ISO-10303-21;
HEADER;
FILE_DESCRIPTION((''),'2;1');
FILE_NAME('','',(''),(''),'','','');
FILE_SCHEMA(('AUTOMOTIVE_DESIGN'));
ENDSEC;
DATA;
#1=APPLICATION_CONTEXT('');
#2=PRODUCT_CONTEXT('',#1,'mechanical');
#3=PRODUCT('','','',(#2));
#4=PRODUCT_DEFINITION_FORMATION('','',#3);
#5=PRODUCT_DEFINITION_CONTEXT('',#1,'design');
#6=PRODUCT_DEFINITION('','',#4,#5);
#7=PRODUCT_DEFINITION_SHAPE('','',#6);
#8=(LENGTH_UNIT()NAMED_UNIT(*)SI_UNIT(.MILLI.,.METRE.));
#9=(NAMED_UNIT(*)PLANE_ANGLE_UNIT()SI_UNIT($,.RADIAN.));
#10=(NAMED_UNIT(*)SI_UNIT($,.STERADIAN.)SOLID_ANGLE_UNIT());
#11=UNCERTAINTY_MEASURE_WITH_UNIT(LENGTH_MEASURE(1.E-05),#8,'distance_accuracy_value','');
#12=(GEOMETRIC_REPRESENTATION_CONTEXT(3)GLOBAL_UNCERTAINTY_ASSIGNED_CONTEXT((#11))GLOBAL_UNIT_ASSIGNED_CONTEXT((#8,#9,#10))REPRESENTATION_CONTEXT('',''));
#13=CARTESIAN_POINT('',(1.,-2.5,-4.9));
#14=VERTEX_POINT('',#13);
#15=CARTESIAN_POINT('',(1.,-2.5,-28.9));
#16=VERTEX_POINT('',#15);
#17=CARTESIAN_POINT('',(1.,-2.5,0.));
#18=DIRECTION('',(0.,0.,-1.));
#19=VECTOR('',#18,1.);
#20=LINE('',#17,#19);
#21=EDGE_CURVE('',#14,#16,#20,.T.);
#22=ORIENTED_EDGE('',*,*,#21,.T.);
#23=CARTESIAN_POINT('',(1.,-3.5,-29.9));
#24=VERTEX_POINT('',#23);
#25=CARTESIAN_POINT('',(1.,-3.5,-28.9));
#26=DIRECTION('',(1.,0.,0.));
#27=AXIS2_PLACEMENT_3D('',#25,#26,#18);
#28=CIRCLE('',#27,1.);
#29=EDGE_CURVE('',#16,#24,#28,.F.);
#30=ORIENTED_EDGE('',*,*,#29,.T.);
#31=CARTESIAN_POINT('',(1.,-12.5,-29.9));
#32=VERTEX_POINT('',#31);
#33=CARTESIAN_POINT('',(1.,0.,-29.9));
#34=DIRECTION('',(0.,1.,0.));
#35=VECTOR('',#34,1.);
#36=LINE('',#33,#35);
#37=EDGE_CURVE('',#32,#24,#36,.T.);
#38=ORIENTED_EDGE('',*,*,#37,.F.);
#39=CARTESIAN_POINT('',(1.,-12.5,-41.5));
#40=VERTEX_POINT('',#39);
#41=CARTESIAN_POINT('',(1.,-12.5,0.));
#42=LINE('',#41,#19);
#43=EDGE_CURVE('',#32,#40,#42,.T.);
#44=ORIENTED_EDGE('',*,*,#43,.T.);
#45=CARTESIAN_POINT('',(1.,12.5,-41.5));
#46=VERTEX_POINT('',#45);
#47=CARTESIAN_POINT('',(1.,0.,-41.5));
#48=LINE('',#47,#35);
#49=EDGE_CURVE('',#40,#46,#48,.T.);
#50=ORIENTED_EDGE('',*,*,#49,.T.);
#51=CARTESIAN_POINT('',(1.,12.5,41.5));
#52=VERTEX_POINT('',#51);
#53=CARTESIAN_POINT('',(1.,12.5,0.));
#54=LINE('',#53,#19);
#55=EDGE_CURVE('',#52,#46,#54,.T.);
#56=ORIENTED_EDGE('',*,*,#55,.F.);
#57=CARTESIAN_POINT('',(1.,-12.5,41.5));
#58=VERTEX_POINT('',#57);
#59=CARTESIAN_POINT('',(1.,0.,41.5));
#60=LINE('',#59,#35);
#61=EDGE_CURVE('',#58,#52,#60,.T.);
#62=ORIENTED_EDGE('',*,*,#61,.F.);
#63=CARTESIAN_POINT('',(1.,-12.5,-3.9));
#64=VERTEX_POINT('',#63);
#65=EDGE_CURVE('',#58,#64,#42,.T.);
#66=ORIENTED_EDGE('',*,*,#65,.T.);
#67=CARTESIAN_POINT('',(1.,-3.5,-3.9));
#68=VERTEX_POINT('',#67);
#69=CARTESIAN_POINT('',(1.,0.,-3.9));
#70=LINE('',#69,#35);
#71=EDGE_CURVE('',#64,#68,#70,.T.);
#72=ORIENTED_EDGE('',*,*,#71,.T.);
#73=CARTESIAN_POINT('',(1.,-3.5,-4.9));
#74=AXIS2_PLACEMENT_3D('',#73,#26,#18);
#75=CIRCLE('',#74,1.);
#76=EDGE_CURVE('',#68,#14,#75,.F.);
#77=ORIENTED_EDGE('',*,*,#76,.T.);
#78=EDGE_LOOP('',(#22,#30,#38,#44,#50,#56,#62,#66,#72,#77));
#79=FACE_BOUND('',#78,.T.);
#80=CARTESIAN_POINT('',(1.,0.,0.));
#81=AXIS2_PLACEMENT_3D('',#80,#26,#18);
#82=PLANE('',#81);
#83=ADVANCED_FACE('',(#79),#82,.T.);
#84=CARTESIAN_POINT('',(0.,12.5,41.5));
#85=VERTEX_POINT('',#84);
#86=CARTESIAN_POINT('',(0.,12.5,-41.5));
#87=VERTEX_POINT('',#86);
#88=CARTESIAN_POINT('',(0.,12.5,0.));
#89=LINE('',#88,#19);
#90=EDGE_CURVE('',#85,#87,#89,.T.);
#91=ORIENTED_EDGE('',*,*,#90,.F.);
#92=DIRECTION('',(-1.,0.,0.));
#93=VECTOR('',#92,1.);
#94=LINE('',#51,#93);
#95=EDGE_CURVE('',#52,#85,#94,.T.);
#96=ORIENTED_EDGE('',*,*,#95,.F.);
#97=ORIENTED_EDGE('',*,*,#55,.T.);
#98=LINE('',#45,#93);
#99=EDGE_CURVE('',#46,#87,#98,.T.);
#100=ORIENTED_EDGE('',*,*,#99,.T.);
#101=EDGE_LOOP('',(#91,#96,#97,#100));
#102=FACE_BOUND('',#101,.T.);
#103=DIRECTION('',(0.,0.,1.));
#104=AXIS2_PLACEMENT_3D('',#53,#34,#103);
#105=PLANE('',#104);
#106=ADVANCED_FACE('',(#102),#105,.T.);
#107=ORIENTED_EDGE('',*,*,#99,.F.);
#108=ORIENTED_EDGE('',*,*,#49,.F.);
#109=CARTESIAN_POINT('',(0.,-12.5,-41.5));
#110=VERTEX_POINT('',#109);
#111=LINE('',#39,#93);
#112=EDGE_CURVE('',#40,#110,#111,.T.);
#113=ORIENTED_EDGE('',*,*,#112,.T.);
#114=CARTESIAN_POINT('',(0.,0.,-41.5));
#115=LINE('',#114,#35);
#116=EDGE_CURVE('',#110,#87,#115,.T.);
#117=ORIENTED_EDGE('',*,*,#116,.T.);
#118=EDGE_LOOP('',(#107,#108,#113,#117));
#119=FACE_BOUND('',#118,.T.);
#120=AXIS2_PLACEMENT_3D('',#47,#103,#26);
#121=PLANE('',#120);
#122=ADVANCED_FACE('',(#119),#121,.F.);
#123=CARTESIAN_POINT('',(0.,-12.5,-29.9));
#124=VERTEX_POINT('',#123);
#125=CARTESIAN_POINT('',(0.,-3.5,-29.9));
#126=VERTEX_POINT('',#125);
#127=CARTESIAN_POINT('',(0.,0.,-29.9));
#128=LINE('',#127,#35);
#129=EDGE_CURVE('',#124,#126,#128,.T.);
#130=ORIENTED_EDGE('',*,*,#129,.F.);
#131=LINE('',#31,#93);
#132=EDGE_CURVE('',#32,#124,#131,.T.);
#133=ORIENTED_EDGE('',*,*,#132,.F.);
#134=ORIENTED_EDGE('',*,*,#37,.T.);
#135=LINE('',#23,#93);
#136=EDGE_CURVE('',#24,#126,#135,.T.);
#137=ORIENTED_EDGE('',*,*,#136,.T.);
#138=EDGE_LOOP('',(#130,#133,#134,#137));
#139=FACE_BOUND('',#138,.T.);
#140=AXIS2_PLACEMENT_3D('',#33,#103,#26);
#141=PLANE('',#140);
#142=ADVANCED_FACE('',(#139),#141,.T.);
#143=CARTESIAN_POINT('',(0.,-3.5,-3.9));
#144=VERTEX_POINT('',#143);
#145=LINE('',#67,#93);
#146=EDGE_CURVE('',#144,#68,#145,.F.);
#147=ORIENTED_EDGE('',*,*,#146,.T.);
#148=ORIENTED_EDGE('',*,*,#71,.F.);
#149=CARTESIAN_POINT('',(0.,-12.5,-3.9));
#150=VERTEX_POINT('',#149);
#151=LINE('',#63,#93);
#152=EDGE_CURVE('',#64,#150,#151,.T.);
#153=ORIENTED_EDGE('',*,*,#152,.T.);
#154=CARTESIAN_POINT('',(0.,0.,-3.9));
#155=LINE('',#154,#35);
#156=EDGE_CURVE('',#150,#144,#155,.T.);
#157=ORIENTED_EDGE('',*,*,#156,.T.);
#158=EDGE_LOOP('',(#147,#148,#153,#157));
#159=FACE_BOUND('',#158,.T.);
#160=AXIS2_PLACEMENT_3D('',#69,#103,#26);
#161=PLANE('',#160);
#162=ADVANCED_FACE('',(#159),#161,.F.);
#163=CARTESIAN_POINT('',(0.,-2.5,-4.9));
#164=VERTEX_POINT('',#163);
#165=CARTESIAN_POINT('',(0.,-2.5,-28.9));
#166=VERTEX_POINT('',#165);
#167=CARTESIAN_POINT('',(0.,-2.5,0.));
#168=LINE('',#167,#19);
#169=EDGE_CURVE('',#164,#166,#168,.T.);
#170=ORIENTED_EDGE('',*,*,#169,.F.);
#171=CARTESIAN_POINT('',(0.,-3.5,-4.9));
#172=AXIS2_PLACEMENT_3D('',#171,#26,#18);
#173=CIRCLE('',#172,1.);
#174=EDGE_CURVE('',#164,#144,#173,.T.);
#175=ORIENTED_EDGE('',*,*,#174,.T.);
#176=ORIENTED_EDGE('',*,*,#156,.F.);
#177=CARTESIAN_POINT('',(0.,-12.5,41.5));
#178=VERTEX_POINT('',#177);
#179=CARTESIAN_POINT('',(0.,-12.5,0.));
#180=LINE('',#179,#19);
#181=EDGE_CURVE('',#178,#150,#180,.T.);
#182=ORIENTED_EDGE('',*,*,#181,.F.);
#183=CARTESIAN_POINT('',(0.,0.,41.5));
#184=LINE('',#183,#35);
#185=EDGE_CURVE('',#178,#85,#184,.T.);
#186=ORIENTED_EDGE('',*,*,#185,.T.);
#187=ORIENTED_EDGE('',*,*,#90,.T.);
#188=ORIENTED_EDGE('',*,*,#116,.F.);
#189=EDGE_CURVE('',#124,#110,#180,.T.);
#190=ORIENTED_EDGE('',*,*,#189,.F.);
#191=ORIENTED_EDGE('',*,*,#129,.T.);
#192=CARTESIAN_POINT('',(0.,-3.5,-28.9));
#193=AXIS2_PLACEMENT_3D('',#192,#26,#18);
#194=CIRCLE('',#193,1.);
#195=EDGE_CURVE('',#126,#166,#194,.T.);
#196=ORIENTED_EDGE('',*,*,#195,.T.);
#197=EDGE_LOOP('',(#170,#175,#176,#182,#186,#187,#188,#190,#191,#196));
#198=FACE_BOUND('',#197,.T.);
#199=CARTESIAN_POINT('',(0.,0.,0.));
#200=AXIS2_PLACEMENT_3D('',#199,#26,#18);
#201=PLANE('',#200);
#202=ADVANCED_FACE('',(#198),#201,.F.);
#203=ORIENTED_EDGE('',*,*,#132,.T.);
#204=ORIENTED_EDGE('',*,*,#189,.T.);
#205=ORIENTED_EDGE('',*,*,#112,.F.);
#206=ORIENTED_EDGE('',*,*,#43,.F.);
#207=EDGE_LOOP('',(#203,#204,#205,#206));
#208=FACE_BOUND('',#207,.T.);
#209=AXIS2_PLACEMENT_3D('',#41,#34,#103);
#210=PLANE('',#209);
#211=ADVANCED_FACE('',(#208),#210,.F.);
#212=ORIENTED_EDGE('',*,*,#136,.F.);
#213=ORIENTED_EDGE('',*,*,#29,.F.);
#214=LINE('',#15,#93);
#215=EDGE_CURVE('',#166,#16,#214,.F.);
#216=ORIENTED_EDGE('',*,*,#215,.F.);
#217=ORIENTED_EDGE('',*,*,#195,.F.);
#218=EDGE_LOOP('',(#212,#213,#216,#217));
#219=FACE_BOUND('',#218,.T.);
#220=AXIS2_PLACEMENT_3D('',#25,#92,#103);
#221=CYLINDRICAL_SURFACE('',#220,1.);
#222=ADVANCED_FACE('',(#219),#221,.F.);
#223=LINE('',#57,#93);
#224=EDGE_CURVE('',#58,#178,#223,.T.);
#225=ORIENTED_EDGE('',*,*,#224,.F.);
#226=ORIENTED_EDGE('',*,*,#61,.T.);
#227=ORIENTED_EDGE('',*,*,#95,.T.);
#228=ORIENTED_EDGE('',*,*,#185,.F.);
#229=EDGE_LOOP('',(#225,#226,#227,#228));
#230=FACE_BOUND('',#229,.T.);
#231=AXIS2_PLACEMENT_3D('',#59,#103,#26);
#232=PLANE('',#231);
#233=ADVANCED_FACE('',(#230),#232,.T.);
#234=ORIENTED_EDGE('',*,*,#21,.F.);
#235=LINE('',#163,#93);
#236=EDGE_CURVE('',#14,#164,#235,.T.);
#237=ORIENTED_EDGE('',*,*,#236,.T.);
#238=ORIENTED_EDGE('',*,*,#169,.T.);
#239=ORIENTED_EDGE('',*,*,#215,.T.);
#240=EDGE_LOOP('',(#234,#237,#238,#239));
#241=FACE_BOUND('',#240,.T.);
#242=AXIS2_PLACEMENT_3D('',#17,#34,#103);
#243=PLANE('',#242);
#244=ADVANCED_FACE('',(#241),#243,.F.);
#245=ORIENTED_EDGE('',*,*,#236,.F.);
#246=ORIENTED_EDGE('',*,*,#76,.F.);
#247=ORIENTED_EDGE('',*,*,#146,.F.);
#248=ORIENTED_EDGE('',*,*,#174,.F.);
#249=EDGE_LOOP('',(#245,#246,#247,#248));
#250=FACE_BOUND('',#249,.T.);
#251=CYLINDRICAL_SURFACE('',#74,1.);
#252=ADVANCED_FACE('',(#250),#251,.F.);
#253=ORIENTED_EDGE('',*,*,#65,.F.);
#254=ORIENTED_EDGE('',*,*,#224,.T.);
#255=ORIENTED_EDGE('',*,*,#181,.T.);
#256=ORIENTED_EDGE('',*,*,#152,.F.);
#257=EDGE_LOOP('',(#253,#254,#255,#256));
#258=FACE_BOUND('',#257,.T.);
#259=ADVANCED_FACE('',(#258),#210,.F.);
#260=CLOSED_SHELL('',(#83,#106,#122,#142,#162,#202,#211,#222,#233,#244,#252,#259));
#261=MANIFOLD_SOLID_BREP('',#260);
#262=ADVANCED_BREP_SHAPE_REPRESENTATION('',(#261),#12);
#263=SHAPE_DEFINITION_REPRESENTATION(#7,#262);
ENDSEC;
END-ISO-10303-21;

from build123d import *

# Parameters (mm, degrees)
BOSS_EXTRUDE1_DEPTH = 1
FILLET1_R           = 1


with BuildPart() as part:
    # Sketch1 → Boss-Extrude1 (new body)
    with BuildSketch(Plane(origin=(0, 0, 0), x_dir=(0, 0, -1), z_dir=(1, 0, 0))):
        Polygon((-41.5, 12.5), (-41.5, -12.5), (3.9, -12.5), (3.9, -2.5), (29.9, -2.5), (29.9, -12.5), (41.5, -12.5), (41.5, 12.5), align=None)
    extrude(amount=BOSS_EXTRUDE1_DEPTH)

    # Fillet1
    fillet1_edges = [part.edges().sort_by_distance(p)[0] for p in [
        (0.5, -2.5, -29.9),
        (0.5, -2.5, -3.9),
    ]]
    fillet(fillet1_edges, radius=FILLET1_R)


solid = part.part
